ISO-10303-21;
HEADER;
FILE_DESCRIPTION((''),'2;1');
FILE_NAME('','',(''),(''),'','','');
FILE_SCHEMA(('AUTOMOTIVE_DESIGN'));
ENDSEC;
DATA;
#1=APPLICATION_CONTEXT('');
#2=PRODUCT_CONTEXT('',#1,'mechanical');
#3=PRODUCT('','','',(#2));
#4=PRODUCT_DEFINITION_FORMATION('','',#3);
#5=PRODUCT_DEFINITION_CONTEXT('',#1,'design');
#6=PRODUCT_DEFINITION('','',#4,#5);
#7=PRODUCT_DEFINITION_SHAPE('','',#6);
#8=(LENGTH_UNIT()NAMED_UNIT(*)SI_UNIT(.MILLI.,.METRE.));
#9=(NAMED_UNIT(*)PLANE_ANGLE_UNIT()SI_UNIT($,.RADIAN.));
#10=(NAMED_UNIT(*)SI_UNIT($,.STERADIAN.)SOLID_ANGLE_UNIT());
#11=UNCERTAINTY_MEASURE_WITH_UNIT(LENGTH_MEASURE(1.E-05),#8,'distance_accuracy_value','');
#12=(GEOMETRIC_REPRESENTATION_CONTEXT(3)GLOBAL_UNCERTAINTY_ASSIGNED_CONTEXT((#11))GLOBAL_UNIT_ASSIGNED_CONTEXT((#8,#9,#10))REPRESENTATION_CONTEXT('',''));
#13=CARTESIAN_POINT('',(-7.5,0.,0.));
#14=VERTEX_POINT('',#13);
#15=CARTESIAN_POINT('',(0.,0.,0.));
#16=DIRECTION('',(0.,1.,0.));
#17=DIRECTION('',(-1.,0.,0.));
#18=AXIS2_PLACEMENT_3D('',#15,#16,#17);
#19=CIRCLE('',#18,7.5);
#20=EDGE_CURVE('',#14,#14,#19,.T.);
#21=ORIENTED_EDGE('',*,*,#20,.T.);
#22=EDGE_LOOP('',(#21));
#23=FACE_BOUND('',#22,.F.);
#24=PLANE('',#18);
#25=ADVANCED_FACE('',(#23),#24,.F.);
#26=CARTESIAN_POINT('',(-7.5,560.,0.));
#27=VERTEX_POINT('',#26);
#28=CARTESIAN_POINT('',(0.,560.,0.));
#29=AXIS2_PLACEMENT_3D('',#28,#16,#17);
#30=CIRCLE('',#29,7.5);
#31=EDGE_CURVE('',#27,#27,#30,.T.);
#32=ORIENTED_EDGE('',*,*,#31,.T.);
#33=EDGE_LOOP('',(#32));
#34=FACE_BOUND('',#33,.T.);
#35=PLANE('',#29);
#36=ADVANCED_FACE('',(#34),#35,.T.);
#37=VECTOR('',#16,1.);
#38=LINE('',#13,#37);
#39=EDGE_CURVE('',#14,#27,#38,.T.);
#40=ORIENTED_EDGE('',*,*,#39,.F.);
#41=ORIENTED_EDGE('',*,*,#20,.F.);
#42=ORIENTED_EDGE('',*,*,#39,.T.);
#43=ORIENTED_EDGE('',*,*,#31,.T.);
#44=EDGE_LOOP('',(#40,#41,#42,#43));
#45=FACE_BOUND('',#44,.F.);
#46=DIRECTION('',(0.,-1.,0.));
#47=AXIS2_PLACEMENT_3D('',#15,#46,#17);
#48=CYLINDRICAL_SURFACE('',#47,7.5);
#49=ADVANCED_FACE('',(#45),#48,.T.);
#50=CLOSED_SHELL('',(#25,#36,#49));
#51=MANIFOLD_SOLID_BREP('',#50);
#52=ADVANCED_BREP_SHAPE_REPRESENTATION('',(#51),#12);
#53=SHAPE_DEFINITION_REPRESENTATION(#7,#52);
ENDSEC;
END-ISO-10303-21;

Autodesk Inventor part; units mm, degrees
ref_plane "YZ Plane" through (0, 0, 0) normal (1, 0, 0) x (0, 1, 0)
ref_plane "XZ Plane" through (0, 0, 0) normal (0, 1, 0) x (-1, 0, 0)
ref_plane "XY Plane" through (0, 0, 0) normal (0, 0, 1) x (1, 0, 0)
sketch "Sketch1" plane through (0, 0, 0) normal (0, 1, 0) x (-1, 0, 0)
  circle A0 centre (0, 0) radius 7.5
  dimension "d0" = 15
extrude "Extrusion1" add sketch "Sketch1" along normal blind 560
